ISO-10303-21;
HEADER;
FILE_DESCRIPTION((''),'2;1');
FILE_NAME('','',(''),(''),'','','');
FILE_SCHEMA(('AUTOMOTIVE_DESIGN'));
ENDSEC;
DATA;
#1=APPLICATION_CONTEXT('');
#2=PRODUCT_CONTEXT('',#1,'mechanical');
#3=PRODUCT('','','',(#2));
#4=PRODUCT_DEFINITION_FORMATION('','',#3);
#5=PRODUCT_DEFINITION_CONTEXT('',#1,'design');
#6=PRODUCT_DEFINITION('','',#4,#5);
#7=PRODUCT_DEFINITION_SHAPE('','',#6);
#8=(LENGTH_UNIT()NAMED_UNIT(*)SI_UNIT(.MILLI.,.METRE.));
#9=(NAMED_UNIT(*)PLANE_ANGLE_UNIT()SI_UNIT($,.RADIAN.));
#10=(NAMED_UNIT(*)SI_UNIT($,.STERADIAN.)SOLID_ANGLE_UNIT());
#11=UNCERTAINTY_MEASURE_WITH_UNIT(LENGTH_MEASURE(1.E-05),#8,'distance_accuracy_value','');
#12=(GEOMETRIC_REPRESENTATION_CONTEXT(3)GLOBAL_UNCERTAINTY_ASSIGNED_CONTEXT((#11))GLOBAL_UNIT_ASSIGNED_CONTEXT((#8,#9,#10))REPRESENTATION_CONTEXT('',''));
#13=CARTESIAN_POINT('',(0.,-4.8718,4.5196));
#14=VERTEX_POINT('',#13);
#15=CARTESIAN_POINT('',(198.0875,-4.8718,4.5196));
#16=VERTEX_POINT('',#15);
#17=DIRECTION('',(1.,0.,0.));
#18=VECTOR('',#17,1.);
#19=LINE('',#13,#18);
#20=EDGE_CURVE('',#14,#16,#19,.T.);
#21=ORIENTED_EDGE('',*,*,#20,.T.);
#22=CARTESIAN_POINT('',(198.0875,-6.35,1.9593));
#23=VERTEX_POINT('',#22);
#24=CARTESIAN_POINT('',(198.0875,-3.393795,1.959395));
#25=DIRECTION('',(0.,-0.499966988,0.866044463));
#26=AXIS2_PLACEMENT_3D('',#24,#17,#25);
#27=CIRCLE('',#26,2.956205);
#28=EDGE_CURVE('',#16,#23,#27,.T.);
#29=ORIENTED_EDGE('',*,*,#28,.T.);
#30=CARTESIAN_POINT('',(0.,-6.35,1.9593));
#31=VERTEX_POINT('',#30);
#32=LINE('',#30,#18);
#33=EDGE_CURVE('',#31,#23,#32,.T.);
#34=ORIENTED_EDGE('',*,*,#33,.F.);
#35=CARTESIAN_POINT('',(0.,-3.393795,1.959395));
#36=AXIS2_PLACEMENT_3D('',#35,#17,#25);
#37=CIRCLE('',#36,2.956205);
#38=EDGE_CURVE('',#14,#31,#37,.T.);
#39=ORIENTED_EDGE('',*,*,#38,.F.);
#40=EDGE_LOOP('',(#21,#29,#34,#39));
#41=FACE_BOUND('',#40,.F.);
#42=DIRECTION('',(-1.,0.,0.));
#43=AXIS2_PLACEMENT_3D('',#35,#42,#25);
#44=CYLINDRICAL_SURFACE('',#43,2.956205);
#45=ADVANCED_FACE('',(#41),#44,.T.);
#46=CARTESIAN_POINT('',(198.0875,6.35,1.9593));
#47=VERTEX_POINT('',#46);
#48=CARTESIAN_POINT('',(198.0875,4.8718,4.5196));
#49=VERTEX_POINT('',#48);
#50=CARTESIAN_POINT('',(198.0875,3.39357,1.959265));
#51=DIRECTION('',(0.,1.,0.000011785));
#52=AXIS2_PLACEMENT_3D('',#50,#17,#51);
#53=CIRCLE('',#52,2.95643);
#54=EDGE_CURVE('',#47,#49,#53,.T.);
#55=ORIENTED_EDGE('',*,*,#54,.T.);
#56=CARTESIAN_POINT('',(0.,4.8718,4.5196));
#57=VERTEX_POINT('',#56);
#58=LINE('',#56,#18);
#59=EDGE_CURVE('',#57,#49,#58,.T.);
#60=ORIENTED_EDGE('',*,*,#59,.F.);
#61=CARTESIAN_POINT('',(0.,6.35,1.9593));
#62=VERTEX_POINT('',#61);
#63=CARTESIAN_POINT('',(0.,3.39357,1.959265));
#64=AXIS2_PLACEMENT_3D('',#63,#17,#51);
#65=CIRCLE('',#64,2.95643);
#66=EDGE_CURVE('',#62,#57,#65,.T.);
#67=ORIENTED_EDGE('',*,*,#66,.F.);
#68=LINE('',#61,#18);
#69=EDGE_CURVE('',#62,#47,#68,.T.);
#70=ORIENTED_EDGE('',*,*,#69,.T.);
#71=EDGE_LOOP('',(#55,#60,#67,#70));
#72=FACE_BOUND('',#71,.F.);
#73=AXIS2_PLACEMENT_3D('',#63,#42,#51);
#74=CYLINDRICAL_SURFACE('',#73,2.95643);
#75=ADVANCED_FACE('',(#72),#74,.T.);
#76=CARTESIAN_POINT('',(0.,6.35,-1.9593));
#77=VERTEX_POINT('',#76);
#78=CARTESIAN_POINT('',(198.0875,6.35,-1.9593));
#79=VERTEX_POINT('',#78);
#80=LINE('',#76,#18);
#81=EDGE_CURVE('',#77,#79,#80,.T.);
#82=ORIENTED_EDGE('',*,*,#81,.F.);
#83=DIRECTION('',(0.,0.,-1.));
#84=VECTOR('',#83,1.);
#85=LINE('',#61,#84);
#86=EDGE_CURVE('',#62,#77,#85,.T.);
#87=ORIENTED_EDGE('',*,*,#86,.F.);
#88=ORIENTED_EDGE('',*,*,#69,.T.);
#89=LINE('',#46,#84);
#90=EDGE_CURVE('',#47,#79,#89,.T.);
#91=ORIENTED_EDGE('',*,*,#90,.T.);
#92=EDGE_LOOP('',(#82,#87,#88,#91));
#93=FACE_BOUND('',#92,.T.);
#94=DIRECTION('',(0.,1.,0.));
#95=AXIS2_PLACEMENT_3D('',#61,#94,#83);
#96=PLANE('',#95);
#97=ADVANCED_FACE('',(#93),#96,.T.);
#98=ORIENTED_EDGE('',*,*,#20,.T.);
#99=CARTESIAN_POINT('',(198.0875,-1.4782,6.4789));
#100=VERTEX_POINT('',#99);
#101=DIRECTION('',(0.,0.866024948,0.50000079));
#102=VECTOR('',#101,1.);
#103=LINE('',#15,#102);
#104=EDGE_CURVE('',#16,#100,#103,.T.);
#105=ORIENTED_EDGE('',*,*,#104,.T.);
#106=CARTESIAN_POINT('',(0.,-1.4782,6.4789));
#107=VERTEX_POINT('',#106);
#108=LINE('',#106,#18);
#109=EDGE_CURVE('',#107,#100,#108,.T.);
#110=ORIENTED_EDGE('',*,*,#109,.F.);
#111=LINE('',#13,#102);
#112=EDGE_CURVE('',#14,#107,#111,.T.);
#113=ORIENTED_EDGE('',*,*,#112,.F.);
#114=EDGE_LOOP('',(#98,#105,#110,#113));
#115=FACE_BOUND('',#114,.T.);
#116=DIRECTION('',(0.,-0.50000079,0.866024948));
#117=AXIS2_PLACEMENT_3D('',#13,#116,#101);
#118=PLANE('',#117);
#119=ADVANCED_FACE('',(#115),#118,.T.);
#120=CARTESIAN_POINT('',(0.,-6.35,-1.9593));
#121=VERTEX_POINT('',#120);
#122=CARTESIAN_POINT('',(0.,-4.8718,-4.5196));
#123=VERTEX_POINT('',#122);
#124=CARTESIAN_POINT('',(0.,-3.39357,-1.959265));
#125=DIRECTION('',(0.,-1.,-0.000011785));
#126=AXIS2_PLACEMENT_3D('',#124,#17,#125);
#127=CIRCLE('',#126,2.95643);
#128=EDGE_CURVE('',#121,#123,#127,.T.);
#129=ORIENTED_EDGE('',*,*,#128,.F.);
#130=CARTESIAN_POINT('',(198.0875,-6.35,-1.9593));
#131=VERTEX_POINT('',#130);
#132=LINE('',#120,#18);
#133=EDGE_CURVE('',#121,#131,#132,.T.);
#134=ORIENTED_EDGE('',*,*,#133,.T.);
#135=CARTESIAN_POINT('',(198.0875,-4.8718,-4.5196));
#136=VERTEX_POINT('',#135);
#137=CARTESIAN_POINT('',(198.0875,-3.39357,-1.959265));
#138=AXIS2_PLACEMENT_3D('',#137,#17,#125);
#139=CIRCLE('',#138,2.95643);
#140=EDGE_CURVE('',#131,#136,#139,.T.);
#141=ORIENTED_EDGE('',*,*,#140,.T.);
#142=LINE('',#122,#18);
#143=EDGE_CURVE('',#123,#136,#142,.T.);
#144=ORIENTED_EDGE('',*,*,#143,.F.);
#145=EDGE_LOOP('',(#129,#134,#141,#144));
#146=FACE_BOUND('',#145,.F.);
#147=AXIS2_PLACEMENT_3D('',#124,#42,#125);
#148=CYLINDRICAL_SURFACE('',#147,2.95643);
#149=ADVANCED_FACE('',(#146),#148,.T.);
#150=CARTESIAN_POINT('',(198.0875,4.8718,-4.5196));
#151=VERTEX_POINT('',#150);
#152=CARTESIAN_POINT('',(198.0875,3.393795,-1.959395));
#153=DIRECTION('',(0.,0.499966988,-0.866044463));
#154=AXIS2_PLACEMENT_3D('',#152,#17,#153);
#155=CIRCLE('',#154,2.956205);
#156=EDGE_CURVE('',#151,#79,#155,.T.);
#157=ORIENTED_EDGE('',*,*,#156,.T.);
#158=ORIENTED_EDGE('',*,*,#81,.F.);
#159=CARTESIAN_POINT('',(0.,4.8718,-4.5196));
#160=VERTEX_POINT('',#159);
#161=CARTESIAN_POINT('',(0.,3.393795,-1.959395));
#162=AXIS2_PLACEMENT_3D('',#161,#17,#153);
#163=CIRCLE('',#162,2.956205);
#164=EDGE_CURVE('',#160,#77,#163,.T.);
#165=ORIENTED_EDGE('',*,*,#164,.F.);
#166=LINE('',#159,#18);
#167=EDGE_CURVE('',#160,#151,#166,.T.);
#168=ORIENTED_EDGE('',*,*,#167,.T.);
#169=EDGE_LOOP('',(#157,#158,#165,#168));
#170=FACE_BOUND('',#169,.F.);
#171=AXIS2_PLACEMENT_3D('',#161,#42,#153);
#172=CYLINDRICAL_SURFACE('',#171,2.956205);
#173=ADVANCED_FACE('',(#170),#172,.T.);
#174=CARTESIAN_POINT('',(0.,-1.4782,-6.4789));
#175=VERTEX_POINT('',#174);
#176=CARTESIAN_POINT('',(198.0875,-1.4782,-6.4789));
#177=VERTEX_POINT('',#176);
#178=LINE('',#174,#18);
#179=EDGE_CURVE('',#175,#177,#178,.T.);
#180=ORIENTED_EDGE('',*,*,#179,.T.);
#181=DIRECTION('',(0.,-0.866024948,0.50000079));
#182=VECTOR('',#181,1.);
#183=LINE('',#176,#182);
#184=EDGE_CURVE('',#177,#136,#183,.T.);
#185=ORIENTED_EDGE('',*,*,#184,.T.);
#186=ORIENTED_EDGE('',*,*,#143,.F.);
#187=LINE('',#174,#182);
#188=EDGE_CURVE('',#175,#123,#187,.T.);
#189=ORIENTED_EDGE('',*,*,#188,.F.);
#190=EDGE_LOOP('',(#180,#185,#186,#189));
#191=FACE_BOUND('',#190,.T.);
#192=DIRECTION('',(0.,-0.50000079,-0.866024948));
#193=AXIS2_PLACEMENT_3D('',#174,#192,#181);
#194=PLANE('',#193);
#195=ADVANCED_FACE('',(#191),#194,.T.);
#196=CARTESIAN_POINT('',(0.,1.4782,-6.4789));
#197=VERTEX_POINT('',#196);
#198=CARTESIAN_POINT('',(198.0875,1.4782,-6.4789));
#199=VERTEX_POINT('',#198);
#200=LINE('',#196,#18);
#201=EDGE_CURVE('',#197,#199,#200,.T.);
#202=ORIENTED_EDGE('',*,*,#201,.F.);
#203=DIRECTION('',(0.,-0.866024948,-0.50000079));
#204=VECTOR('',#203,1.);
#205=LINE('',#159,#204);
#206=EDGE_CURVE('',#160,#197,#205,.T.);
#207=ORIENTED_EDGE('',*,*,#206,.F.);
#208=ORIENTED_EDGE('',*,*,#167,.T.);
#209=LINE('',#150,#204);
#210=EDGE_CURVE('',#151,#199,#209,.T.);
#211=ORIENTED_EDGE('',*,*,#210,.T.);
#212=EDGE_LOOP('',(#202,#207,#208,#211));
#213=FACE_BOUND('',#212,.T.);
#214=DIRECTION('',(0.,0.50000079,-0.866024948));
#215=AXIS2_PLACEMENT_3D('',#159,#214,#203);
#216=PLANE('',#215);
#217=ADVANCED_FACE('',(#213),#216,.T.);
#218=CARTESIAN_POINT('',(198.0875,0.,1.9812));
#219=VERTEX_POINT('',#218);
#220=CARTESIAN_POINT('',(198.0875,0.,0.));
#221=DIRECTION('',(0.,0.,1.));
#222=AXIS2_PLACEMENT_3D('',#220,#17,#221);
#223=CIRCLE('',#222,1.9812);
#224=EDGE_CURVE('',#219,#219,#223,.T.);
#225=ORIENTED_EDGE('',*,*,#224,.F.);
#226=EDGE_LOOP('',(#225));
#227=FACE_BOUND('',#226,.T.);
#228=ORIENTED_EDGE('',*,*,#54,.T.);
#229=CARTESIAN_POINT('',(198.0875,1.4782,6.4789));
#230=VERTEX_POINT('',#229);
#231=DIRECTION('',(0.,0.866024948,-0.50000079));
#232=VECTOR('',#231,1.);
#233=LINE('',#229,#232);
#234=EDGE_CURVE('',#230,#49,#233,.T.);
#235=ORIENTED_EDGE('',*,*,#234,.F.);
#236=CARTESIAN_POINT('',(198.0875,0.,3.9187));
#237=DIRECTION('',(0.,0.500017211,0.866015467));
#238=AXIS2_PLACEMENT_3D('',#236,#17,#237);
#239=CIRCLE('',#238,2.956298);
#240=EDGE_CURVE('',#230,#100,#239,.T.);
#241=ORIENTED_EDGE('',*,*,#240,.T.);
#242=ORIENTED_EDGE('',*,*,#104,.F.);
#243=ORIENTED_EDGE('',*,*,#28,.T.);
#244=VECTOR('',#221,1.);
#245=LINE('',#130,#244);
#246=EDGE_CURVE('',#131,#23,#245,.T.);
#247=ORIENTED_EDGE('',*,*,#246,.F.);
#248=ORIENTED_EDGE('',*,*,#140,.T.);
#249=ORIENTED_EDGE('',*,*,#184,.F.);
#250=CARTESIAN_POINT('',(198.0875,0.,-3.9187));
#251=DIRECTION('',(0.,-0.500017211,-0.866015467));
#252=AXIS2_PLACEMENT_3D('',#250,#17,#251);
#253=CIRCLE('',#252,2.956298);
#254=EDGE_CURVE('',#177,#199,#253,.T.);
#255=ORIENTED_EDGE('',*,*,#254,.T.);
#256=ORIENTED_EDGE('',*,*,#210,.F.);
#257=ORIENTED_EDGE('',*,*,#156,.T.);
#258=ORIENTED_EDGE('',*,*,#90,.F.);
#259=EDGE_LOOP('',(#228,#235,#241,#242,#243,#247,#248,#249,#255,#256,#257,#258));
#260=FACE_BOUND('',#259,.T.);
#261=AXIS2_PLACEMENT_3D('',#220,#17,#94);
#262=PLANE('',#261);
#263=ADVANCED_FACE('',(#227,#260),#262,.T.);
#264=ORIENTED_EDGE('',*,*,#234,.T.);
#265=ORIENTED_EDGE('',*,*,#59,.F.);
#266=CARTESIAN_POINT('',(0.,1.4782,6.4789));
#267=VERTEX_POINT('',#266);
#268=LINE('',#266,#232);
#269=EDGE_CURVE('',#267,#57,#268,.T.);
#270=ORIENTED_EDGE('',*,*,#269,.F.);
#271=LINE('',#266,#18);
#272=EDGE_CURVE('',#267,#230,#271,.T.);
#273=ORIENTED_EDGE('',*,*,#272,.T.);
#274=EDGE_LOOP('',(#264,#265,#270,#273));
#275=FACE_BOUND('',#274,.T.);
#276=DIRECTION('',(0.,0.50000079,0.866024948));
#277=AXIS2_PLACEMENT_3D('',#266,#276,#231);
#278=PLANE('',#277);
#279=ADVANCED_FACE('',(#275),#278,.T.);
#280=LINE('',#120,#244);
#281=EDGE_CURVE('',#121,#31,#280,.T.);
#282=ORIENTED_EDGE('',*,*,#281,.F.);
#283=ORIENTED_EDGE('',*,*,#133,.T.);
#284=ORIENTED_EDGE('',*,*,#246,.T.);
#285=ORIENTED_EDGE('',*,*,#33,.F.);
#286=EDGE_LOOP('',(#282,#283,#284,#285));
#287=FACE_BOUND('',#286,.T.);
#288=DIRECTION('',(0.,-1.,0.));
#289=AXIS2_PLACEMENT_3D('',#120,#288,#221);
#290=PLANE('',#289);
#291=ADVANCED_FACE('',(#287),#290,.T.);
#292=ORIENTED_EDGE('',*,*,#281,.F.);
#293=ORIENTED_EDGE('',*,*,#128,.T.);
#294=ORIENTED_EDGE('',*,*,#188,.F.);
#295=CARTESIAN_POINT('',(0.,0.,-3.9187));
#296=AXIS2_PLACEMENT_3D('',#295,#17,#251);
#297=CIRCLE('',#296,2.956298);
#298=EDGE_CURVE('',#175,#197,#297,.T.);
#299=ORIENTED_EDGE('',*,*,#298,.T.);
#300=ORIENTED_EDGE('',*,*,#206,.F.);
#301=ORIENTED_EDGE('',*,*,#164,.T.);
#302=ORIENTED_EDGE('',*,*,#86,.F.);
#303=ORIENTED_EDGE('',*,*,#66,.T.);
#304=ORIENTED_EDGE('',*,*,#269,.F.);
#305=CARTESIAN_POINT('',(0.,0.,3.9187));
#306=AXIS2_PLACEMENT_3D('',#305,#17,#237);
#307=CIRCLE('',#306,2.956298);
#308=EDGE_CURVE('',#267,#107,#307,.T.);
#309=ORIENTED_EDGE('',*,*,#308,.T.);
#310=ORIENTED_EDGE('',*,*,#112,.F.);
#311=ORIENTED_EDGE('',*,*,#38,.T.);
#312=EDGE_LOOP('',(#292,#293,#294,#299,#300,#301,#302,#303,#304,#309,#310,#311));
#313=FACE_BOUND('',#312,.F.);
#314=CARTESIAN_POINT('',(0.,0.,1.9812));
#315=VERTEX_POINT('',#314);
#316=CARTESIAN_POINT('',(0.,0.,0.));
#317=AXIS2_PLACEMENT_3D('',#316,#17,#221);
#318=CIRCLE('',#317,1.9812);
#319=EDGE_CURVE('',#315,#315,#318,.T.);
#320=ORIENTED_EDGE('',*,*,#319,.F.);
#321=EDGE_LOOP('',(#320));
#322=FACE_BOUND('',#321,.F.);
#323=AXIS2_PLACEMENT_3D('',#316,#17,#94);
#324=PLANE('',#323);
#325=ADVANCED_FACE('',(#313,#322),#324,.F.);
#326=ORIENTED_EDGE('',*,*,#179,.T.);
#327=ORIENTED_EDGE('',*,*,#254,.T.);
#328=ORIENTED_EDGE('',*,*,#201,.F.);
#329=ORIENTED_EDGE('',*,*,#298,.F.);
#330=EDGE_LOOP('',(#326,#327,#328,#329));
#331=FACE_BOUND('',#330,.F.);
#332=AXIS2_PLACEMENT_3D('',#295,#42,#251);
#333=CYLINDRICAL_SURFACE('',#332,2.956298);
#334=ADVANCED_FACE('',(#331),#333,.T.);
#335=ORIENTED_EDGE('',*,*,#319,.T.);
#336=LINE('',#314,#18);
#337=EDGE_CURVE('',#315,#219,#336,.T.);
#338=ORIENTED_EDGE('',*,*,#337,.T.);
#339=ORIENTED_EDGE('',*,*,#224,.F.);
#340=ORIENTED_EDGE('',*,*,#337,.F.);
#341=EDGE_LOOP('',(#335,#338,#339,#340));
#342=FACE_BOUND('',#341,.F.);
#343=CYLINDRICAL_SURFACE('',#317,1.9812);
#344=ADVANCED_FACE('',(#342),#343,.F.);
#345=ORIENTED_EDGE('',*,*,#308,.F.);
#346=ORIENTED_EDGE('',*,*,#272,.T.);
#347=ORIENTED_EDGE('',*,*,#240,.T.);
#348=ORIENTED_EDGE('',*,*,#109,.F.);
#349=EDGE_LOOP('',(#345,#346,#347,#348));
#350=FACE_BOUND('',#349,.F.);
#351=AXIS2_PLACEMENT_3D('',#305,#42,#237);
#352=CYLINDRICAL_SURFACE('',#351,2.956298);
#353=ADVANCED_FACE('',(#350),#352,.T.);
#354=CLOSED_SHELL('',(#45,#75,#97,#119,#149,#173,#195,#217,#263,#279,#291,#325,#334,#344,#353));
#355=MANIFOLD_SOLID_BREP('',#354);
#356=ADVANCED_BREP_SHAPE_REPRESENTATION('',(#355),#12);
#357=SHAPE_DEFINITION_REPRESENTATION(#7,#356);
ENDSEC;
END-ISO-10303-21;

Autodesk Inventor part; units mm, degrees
ref_plane "YZ Plane" through (0, 0, 0) normal (1, 0, 0) x (0, 1, 0)
ref_plane "XZ Plane" through (0, 0, 0) normal (0, 1, 0) x (-1, 0, 0)
ref_plane "XY Plane" through (0, 0, 0) normal (0, 0, 1) x (1, 0, 0)
sketch "Sketch1" plane through (0, 0, 0) normal (1, 0, 0) x (0, 1, 0)
  line L0 (-6.35, -1.9593) -> (-6.35, 1.9593)
  line L1 (-4.8718, 4.5196) -> (-1.4782, 6.4789)
  line L2 (1.4782, 6.4789) -> (4.8718, 4.5196)
  line L3 (6.35, 1.9593) -> (6.35, -1.9593)
  line L4 (4.8718, -4.5196) -> (1.4782, -6.4789)
  line L5 (-1.4782, -6.4789) -> (-4.8718, -4.5196)
  arc A0 (4.8718, -4.5196) -> (6.35, -1.9593) centre (3.3937, -1.9593) ccw
  arc A1 (-1.4782, -6.4789) -> (1.4782, -6.4789) centre (0, -3.9187) ccw
  arc A2 (-6.35, -1.9593) -> (-4.8718, -4.5196) centre (-3.3937, -1.9593) ccw
  arc A3 (-4.8718, 4.5196) -> (-6.35, 1.9593) centre (-3.3937, 1.9593) ccw
  arc A4 (1.4782, 6.4789) -> (-1.4782, 6.4789) centre (0, 3.9187) ccw
  arc A5 (6.35, 1.9593) -> (4.8718, 4.5196) centre (3.3937, 1.9593) ccw
  circle A6 centre (0, 0) radius 6.875 construction
  point P0 (-6.35, -3.6662)
  point P1 (-6.35, 3.6662)
  point P2 (0, 7.3323)
  point P3 (6.35, 3.6662)
  point P4 (6.35, -3.6662)
  point P5 (0, -7.3323)
  dimension "d1" = 12.7
  dimension "d2" = 13.75
extrude "Extrusion1" add sketch "Sketch1" along normal blind 198.0875
sketch "Sketch2" plane through (0, 0, 0) normal (-1, 0, 0) x (0, 0, 1)
  point P0 (0, 0)
  point P1 (0, 0)
hole "Hole1" at (0, 0, 0) direction (1, 0, 0) diameter 3.9624 end through all thread size "10-32 UNF" class "2B" standard "ANSI Unified Screw Threads"
properties part number "STOCK,HEX,ROUND,HOOD" material "Aluminum 6061"
